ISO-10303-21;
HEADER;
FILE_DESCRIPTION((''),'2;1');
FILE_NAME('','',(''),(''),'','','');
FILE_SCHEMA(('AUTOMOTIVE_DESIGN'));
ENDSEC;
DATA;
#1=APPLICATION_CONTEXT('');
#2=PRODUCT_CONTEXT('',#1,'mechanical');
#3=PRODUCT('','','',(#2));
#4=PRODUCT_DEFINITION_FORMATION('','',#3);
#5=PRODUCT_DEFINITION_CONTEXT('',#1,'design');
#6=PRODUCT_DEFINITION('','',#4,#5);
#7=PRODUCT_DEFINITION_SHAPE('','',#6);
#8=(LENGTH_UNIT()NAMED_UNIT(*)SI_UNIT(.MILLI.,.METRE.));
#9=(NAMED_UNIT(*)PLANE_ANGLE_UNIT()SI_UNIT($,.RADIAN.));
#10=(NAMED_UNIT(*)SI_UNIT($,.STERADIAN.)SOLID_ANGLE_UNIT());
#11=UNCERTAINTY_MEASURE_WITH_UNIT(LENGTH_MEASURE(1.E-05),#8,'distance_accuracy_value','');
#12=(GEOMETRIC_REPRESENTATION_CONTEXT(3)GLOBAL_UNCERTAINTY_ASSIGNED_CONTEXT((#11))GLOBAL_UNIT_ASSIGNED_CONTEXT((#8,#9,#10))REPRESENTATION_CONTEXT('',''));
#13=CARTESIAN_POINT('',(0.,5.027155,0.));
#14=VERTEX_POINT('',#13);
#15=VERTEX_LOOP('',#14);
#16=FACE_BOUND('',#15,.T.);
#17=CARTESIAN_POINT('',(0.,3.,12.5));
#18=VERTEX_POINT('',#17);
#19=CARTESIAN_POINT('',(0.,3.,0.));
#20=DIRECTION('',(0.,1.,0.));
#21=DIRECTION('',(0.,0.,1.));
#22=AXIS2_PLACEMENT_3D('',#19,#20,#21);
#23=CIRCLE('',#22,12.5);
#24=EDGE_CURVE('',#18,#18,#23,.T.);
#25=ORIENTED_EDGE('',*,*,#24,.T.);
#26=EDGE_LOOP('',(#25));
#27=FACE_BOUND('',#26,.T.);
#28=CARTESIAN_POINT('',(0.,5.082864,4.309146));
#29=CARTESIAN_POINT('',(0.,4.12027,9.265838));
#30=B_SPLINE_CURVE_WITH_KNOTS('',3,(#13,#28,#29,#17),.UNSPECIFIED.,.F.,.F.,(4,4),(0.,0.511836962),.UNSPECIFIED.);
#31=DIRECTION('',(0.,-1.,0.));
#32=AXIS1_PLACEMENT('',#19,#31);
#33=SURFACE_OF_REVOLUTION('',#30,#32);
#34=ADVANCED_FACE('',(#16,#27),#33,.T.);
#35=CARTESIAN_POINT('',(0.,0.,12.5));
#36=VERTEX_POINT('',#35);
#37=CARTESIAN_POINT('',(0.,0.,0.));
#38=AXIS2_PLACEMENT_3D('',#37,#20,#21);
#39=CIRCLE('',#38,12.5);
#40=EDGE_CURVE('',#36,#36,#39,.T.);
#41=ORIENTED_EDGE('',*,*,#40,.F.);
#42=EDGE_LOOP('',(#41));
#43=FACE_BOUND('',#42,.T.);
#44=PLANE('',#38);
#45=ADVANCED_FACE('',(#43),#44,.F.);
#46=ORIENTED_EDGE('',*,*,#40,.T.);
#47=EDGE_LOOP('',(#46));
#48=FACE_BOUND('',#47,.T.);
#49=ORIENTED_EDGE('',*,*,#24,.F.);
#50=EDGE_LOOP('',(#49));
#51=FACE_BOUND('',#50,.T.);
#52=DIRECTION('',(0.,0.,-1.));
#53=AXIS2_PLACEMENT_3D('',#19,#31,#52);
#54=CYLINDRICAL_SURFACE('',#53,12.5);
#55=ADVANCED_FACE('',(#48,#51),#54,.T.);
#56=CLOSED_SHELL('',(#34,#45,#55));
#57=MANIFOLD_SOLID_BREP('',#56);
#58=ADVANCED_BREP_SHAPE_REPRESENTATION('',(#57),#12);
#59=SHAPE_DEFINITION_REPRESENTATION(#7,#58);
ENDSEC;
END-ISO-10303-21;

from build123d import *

# Parameters (mm, degrees)
SKETCH1_R           = 12.5
BOSS_EXTRUDE1_DEPTH = 3


with BuildPart() as part:
    # Sketch1 → Boss-Extrude1 (new body)
    with BuildSketch(Plane(origin=(0, 0, 0), x_dir=(1, 0, 0), z_dir=(0, 1, 0))):
        with Locations(Location((0, 0, 0), (0, 0, 270))):
            Circle(SKETCH1_R)
    extrude(amount=BOSS_EXTRUDE1_DEPTH)

    # Sketch2 → Revolve1 (revolve)
    with BuildSketch(Plane(origin=(0, 0, 0), x_dir=(0, 0, -1), z_dir=(1, 0, 0))):
        with BuildLine():
            Line((0, 3), (0, 5.027154564))
            add(Edge.make_bspline(
                [(-12.5, 3), (-9.265837711, 4.120269782), (-4.309145665, 5.082863575), (0, 5.027154564)],
                knots=[0, 0, 0, 0, 0.511836962, 0.511836962, 0.511836962, 0.511836962], degree=3))
            Line((-12.5, 3), (0, 3))
        make_face()
    revolve(axis=Axis((0, 3, 0), (0, 1, 0)))


solid = part.part
